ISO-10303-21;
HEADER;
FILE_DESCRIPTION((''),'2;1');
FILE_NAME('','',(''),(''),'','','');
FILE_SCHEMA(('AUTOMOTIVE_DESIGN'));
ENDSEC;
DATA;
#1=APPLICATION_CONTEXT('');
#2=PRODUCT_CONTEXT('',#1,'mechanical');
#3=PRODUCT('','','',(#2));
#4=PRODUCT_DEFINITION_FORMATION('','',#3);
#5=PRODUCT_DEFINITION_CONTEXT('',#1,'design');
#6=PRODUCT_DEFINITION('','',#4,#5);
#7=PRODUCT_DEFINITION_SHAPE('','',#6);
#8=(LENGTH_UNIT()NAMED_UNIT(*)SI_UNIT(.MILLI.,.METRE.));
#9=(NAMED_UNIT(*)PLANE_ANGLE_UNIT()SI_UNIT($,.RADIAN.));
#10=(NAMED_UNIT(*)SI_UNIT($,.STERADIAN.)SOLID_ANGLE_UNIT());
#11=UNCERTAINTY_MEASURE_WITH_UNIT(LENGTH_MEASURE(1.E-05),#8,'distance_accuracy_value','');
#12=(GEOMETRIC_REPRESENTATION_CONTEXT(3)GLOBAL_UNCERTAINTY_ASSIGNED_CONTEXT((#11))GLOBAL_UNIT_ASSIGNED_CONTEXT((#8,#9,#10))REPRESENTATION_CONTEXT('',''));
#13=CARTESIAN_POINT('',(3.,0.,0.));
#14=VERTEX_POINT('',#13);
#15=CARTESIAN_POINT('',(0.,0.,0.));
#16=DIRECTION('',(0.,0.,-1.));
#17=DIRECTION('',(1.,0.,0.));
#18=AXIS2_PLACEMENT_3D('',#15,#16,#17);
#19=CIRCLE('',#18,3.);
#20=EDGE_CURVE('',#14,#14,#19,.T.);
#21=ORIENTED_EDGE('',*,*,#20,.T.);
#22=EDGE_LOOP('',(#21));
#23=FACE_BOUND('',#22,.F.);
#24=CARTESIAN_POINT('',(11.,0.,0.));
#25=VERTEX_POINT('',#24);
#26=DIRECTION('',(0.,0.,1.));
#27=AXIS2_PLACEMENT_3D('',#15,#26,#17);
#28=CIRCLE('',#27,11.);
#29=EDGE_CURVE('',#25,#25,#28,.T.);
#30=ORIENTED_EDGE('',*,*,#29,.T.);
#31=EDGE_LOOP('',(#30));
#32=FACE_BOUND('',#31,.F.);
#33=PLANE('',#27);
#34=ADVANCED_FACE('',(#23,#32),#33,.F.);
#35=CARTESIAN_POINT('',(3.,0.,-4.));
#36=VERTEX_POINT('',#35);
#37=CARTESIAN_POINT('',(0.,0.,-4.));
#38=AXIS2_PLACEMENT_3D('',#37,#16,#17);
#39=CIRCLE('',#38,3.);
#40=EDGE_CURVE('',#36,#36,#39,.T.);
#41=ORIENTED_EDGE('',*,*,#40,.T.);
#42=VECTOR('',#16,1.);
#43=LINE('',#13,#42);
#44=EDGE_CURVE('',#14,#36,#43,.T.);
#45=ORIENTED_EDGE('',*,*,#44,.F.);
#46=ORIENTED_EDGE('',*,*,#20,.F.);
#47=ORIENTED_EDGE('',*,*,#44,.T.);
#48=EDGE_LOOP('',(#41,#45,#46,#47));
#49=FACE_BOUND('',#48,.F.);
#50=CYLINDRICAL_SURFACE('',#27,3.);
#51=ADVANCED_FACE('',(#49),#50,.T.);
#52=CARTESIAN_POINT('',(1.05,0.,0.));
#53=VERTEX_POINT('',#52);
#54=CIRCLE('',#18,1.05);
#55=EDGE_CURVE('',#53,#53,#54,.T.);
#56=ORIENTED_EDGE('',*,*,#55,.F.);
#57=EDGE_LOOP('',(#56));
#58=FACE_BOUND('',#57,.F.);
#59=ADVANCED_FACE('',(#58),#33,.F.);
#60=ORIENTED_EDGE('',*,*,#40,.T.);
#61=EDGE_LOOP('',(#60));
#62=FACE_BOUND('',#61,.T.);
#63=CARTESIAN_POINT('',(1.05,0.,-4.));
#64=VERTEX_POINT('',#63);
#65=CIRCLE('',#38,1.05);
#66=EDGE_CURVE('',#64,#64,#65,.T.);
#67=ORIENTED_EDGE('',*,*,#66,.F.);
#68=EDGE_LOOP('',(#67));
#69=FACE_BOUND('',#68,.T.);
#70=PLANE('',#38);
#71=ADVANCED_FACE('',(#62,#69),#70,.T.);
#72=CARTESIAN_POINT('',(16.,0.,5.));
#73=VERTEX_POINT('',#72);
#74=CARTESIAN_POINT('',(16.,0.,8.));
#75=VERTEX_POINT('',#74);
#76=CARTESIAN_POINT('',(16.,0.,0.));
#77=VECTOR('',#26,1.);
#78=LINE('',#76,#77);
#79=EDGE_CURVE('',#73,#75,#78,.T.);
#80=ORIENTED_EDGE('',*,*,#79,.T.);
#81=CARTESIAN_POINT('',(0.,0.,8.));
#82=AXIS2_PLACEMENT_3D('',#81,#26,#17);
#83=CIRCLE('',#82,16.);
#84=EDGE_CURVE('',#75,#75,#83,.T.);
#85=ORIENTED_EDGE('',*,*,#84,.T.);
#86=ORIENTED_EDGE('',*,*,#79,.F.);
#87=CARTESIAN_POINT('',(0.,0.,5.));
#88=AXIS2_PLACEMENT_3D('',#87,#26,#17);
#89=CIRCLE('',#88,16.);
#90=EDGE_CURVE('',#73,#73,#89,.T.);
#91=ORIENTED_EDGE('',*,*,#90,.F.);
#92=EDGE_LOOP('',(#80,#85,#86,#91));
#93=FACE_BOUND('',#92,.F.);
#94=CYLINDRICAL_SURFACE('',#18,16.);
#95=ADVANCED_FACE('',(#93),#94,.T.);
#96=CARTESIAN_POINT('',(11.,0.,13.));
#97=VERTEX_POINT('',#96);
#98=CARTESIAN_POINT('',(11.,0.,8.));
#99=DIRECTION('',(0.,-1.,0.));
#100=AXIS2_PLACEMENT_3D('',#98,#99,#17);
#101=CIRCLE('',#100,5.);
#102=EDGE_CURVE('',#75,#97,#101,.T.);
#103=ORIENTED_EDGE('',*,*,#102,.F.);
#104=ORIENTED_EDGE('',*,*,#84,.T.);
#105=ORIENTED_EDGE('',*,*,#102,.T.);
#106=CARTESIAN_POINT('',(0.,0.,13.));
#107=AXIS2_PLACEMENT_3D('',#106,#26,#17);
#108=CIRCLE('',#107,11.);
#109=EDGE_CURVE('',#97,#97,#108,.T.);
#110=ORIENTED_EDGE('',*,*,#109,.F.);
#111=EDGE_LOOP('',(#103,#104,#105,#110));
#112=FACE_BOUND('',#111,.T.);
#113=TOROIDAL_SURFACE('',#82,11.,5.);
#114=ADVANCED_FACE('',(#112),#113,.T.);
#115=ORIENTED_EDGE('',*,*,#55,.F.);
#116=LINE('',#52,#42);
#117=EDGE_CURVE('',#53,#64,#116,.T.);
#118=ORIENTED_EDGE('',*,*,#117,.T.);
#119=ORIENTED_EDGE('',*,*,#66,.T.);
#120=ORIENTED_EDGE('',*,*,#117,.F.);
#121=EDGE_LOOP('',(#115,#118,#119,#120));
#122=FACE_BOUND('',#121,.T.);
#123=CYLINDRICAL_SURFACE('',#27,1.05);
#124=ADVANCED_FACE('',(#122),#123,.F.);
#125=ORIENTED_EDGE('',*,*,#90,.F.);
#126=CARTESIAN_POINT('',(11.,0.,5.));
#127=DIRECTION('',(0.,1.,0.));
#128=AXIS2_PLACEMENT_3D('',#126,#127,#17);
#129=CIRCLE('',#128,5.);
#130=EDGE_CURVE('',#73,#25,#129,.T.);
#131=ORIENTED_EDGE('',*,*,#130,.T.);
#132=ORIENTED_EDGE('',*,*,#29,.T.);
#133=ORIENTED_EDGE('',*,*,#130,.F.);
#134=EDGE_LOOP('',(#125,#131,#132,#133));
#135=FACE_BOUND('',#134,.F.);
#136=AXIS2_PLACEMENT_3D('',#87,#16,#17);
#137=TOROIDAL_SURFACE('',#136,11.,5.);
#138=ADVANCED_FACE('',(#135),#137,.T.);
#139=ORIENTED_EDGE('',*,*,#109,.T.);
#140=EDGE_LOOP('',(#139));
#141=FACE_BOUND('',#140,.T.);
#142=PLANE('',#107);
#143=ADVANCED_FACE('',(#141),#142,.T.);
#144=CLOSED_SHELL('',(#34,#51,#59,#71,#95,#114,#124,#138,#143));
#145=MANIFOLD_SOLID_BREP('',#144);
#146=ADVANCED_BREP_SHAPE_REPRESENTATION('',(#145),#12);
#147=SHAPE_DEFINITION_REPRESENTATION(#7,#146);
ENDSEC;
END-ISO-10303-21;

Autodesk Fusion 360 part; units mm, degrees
sketch "スケッチ1" plane through (0, 0, 0) normal (0, 0, 1) x (1, 0, 0)
  circle A0 centre (0, 0) radius 16
  dimension "d1" = 32
extrude "押し出し1" add sketch "スケッチ1" along normal blind 13
fillet "フィレット1" radius 5 2 edges at (-14.9172, -5.7858, 0) (-14.9172, -5.7858, 13)
sketch "スケッチ2" plane through (0, 0, 0) normal (0, 0, -1) x (1, 0, 0)
  circle A0 centre (0, 0) radius 11
  circle A1 centre (0, 0) radius 3
  circle A2 centre (0, 0) radius 1.05
  dimension "d6" = 6
  dimension "d7" = 2.1
extrude "押し出し2" add sketch "スケッチ2" along normal blind 4 contours A1
